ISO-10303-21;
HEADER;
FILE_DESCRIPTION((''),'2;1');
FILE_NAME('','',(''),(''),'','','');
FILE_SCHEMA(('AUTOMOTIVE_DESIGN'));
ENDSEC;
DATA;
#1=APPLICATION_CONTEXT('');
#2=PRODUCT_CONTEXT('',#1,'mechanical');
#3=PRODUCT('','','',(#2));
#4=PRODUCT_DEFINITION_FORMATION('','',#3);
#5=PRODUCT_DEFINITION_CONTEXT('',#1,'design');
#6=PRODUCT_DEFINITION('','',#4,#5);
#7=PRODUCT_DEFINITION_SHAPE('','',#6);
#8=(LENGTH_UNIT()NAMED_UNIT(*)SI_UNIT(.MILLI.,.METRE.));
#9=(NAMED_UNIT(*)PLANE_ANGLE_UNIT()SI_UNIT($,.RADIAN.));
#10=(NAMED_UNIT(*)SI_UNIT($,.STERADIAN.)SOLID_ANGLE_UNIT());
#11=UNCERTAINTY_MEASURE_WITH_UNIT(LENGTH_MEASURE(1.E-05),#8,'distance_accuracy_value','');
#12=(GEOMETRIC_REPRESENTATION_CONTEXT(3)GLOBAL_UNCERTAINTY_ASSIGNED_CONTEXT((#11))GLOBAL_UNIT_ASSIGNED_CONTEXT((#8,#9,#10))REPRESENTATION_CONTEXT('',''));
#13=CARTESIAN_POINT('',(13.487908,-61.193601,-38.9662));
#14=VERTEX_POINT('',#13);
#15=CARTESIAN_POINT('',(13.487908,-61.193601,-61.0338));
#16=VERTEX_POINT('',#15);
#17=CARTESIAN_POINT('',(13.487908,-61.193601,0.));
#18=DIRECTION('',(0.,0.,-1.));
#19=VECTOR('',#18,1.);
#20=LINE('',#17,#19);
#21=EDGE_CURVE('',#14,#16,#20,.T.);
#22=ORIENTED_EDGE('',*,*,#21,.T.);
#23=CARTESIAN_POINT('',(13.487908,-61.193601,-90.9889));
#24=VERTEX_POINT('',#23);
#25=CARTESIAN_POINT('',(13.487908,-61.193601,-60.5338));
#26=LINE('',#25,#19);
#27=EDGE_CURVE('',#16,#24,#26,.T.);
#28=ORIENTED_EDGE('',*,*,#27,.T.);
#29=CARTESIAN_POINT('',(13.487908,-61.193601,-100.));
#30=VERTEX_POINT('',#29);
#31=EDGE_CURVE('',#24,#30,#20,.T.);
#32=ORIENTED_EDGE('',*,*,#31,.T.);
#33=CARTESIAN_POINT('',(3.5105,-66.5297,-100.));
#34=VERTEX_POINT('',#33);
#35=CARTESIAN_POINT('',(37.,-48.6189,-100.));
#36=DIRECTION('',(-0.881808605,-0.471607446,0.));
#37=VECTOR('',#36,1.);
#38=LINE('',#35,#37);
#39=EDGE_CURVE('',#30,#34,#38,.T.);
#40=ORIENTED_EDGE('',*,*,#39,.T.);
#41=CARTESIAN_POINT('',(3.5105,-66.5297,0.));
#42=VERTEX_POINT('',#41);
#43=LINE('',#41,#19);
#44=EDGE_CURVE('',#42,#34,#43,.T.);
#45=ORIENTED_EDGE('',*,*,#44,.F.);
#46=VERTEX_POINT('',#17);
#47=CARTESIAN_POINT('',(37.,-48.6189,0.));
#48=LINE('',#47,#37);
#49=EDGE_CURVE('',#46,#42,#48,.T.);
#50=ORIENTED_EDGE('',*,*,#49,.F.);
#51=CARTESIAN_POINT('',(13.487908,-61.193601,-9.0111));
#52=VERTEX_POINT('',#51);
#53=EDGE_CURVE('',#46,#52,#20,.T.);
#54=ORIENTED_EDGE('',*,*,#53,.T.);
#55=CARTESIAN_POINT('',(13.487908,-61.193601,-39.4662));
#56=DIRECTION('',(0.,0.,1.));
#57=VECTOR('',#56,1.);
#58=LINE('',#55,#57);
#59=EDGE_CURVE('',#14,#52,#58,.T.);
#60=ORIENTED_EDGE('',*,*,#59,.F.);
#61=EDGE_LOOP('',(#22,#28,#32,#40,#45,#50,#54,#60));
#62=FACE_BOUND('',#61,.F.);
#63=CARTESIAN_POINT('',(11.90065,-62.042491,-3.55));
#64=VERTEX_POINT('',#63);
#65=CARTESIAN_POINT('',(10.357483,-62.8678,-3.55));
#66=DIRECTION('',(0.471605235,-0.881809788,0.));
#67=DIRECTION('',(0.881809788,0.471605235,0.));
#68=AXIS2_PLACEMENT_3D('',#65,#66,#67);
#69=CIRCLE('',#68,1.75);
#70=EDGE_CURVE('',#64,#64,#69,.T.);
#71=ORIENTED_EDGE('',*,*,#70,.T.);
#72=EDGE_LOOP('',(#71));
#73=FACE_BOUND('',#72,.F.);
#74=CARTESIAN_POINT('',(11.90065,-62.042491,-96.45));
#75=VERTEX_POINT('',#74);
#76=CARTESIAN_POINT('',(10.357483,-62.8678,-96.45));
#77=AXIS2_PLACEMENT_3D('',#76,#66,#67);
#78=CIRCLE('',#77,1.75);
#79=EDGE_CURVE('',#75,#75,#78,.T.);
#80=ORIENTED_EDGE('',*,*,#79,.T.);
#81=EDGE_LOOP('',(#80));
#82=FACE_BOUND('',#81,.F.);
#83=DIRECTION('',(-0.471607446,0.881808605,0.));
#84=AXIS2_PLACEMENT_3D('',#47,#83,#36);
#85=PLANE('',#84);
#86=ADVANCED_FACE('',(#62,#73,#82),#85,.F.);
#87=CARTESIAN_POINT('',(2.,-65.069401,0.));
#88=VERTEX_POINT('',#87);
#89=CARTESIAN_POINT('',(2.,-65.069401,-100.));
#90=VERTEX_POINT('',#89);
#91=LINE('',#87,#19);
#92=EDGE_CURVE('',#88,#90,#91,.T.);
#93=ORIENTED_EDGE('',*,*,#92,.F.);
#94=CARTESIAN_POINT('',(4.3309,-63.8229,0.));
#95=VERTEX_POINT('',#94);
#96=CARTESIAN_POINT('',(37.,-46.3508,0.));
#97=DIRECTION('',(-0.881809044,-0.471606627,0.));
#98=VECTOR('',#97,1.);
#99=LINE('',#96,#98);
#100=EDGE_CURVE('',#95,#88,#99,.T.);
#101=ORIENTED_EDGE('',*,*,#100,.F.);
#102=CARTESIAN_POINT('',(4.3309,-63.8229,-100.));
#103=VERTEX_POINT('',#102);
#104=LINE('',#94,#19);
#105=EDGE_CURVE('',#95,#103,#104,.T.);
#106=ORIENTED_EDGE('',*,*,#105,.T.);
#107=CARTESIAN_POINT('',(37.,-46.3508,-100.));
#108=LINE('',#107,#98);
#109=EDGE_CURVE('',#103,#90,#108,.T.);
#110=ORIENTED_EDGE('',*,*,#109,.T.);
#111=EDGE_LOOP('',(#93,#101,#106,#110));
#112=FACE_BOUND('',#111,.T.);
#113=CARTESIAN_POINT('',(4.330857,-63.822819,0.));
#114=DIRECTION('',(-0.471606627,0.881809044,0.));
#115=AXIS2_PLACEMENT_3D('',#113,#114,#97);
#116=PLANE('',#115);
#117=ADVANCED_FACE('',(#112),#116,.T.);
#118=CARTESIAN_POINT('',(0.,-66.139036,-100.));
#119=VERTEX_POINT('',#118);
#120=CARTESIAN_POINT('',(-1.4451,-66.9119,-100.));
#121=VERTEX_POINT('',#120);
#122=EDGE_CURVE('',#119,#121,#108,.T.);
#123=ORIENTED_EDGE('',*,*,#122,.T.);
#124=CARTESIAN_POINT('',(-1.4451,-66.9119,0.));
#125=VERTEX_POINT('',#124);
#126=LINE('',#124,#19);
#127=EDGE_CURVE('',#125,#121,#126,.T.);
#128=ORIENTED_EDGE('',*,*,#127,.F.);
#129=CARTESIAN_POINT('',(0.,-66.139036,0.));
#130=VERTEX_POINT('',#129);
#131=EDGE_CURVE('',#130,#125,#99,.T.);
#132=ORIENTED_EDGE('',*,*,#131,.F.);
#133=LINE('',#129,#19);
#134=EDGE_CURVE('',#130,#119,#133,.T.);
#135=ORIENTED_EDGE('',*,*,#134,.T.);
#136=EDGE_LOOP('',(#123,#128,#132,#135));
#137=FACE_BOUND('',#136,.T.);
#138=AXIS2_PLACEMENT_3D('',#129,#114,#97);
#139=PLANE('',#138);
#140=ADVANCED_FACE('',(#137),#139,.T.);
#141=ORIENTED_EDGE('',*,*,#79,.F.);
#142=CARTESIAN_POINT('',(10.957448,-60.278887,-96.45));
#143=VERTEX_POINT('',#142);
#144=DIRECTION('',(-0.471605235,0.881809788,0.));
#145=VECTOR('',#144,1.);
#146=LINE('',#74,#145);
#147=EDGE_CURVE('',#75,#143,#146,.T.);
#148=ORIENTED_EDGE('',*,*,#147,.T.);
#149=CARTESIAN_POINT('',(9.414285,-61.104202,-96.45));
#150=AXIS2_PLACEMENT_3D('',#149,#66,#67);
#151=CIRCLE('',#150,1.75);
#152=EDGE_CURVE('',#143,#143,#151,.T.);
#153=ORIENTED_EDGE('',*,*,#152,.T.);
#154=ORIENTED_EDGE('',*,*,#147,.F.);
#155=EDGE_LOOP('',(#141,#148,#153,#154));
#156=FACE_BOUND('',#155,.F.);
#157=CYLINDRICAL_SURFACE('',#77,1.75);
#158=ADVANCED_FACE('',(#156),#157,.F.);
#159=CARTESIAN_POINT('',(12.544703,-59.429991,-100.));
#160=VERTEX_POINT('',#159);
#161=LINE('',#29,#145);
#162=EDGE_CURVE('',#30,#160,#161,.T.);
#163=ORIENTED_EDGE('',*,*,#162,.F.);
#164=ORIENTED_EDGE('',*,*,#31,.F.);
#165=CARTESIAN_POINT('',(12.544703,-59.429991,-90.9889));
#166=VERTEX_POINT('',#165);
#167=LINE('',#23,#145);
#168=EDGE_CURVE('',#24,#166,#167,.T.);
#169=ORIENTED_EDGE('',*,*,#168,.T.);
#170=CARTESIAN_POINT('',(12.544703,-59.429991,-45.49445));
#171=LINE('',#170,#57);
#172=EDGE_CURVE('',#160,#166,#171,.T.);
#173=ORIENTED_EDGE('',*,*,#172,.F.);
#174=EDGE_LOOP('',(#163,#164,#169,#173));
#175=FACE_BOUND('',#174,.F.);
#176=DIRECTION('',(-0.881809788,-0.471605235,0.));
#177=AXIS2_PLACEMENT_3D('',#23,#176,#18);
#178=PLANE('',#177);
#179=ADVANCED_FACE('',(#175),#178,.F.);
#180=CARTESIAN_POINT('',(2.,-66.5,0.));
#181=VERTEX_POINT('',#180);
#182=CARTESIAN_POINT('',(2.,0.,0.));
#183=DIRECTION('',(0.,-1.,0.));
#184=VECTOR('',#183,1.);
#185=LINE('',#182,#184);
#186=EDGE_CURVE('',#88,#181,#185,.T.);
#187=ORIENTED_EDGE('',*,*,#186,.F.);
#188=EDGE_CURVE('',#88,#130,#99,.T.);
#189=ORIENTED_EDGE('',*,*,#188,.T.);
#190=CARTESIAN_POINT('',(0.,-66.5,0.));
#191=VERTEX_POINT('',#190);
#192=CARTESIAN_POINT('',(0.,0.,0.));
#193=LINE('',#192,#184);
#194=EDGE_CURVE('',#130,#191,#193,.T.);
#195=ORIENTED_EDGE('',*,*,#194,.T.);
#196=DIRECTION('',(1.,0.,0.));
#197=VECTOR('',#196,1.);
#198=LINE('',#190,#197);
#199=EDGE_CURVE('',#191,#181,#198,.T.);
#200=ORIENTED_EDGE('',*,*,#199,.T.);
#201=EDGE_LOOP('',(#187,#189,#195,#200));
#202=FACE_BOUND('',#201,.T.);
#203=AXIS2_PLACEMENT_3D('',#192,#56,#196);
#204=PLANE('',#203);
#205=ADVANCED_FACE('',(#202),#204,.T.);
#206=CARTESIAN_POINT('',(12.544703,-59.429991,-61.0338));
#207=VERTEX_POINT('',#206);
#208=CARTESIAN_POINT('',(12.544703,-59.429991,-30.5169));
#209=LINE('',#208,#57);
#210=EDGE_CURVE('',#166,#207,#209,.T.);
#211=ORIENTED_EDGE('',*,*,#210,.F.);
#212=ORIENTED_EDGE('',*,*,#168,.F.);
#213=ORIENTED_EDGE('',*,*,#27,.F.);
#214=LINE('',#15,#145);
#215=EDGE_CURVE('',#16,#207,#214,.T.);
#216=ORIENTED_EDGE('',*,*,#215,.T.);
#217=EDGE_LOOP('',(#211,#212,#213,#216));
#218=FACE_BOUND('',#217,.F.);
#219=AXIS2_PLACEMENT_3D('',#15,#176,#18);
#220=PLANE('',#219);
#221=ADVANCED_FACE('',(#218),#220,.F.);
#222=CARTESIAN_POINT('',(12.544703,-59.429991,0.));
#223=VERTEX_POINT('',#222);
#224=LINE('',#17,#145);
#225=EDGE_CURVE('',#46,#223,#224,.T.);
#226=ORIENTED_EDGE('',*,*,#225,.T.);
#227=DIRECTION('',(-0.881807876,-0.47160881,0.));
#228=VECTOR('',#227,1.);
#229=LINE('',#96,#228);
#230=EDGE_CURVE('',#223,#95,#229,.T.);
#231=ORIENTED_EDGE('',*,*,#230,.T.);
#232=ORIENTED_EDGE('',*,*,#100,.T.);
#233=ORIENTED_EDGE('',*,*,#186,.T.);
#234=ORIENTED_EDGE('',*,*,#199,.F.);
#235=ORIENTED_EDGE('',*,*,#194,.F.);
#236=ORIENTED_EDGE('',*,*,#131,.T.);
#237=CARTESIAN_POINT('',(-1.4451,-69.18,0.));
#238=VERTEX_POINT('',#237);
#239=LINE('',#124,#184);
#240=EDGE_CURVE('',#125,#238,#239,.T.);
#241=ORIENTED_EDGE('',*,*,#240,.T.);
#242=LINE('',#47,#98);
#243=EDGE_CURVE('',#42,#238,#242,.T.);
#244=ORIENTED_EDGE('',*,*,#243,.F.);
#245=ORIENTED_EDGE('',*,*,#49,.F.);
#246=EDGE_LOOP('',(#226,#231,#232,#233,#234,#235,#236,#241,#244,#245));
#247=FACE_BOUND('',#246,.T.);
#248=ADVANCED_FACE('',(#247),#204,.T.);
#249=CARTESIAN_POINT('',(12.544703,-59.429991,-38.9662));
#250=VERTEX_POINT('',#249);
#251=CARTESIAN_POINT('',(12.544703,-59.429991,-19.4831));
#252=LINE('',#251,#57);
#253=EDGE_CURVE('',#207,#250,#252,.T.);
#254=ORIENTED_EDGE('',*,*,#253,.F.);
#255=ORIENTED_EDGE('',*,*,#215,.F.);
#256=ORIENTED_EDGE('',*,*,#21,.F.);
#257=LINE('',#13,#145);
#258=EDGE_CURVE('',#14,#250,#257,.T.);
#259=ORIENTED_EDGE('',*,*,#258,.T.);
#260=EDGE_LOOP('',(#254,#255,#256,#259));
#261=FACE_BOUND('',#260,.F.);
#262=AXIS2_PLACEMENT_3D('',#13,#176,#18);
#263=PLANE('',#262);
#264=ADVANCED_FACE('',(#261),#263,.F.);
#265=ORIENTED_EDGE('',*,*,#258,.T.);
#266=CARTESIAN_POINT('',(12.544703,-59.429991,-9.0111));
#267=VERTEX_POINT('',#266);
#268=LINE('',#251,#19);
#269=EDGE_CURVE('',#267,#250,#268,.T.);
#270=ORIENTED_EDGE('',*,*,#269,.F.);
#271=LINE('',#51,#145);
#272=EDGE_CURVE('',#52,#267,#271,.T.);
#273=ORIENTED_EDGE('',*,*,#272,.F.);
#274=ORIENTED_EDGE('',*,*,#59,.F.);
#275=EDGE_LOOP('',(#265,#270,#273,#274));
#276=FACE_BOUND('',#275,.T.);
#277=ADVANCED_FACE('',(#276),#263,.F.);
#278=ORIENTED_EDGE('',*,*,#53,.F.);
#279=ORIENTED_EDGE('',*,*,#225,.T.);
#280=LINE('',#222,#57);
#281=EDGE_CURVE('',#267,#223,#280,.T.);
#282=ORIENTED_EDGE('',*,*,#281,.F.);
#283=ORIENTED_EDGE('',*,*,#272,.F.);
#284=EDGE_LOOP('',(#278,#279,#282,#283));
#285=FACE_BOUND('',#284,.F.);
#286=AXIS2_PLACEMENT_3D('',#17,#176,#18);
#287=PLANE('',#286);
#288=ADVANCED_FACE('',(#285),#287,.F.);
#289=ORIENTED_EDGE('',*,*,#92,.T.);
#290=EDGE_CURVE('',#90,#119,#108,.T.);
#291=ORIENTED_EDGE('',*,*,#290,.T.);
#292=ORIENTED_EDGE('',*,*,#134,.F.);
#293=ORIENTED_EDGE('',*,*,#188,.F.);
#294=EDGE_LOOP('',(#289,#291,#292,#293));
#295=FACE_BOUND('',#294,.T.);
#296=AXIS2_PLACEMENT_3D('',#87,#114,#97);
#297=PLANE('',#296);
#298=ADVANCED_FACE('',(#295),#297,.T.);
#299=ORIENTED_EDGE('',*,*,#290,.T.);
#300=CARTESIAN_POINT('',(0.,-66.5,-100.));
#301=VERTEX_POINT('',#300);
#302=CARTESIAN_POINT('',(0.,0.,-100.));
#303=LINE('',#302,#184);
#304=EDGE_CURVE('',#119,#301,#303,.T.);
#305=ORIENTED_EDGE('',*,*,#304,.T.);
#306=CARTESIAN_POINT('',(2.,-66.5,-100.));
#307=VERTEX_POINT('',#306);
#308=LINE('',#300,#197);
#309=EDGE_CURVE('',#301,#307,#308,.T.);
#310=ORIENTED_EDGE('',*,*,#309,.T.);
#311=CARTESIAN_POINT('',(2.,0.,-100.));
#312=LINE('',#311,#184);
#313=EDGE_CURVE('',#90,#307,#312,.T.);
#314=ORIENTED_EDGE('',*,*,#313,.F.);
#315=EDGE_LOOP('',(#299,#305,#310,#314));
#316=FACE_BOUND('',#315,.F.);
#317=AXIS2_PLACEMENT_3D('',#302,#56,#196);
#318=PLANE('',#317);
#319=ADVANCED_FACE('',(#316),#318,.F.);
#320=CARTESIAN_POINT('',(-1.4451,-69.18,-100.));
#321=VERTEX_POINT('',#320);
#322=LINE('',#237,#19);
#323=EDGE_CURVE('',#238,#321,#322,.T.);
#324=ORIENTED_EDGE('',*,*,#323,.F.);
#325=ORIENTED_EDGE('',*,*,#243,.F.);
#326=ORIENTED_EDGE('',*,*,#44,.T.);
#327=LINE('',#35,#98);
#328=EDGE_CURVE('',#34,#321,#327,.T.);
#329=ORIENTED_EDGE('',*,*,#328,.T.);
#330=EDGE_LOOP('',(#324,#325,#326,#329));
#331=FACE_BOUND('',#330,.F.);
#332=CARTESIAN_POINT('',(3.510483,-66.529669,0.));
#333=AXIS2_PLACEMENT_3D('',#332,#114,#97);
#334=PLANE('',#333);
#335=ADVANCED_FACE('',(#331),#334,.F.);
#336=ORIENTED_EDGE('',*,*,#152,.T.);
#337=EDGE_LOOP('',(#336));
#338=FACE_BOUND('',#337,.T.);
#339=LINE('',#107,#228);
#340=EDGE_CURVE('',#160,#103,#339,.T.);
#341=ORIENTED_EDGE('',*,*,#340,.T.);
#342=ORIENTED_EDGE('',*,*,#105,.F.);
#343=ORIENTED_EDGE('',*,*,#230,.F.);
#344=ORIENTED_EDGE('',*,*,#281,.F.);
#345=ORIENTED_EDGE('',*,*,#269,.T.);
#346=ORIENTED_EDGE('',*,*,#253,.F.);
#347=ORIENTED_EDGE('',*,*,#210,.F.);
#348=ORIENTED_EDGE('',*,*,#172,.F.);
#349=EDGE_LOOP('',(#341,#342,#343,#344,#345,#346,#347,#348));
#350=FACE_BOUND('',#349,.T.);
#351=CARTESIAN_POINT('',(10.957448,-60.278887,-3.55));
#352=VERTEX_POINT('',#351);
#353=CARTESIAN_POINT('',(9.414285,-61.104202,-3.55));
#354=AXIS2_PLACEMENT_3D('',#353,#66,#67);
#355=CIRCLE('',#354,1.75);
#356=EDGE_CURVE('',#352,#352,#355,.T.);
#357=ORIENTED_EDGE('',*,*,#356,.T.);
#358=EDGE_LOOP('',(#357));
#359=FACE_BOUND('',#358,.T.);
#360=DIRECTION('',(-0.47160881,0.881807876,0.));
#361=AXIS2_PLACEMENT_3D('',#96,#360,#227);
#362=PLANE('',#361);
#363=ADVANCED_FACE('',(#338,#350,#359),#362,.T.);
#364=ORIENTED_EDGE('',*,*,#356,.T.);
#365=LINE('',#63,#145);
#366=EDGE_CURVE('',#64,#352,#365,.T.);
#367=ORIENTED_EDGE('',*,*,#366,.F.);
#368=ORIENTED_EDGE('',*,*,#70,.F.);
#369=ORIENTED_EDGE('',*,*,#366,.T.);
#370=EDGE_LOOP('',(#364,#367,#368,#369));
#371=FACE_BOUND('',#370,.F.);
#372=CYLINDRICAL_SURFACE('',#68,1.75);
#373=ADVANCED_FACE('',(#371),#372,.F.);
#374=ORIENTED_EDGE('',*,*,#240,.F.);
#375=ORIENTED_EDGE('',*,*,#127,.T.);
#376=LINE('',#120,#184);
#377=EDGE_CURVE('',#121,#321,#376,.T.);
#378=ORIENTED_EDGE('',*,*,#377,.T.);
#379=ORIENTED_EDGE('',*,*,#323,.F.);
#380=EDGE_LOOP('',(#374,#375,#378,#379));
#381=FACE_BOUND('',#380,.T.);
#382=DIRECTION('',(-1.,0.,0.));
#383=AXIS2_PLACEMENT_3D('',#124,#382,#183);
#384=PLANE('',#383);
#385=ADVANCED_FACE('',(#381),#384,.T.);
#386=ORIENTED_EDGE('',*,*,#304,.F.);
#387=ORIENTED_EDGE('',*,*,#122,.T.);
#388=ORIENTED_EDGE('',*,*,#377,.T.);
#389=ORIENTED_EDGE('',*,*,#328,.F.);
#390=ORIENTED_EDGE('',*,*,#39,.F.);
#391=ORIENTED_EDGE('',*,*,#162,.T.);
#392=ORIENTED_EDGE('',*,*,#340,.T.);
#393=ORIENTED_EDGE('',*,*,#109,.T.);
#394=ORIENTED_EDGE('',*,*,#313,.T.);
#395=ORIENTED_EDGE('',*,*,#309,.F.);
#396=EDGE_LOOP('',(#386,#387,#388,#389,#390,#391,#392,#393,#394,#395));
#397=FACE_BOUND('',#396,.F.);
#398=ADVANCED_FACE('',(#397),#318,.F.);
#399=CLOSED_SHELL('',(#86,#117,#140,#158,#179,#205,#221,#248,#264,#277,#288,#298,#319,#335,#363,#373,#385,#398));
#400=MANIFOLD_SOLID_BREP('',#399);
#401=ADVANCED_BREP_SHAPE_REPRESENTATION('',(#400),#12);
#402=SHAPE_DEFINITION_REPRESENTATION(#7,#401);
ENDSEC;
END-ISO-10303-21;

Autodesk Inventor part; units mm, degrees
ref_plane "YZ Plane" through (0, 0, 0) normal (1, 0, 0) x (0, 1, 0)
ref_plane "XZ Plane" through (0, 0, 0) normal (0, 1, 0) x (-1, 0, 0)
ref_plane "XY Plane" through (0, 0, 0) normal (0, 0, 1) x (1, 0, 0)
sketch "Szkic1" plane through (0, 0, 0) normal (0, 0, 1) x (1, 0, 0)
  line L0 (0, 0) -> (0, -66.5) projected
  line L1 (0, -66.5) -> (2, -66.5) projected
  line L2 (2, 0) -> (2, -66.5) projected
  line L3 (0, 0) -> (2, 0) projected
  circle A0 centre (7, 15.8) radius 1.5 projected
  circle A1 centre (7, 15.8) radius 15.02 projected
  line L4 (7, 30.82) -> (7, 14.3)
  line L5 (7, -69.18) -> (-7.0129, -69.18)
  line L6 (37, -46.3508) -> (4.3309, -63.8229) projected
  line L7 (37, -48.6189) -> (3.5105, -66.5297) projected
  line L8 (37, -48.6189) -> (37, -46.3508)
  line L9 (37, -48.6189) -> (-1.4451, -69.18)
  line L10 (37, -46.3508) -> (-1.4451, -66.9119)
  line L11 (-1.4451, -66.9119) -> (-1.4451, -69.18)
  dimension "d0" = 100
extrude "Wyciągnięcie proste1" add sketch "Szkic1" against normal blind 100 contours L10 L2 L1 L0 | L0 L1 L2 L10 L6 L8 L7 L9 L11
sketch "Szkic5" plane through (-1.4451, -69.18, -100) normal (0.4716, -0.8818, 0) x (0.8818, 0.4716, 0)
  line L0 (17.9345, 9.0111) -> (17.7164, 38.6148) projected
  line L1 (17.7164, 38.6148) -> (26.2335, 38.9662) projected
  line L2 (26.4517, 9.3625) -> (17.9345, 9.0111) projected
  line L3 (26.2335, 38.9662) -> (17.9345, 38.9662)
  line L4 (17.9345, 38.9662) -> (17.9345, 9.0111)
  line L5 (17.9345, 9.0111) -> (26.2335, 9.0111)
  line L6 (26.2335, 9.0111) -> (26.2335, 38.9662)
  line L7 (17.4345, 39.4662) -> (26.7335, 39.4662)
  line L8 (26.7335, 39.4662) -> (26.7335, 8.5111)
  line L9 (26.7335, 8.5111) -> (17.4345, 8.5111)
  line L10 (17.4345, 8.5111) -> (17.4345, 39.4662)
  line L11 (17.4345, 39.4662) -> (16.9345, 39.4662)
  line L12 (16.9345, 39.4662) -> (16.9345, 8.5111)
  line L13 (16.9345, 8.5111) -> (17.4345, 8.5111)
  line L14 (17.4345, 8.5111) -> (17.4345, 39.4662)
  line L15 (26.7335, 38.9662) -> (16.9345, 38.9662)
  line L16 (16.9345, 38.9662) -> (16.9345, 9.0111)
  line L17 (16.9345, 9.0111) -> (26.7335, 9.0111)
  line L18 (26.7335, 9.0111) -> (26.7335, 38.9662)
  point P0 (33.9001, 100)
  point P1 (17.9345, 9.0111)
  point P2 (26.7335, 9.0111)
  point P3 (17.9345, 38.9662)
  dimension "d7" = 0.5
  dimension "d8" = 0.5
extrude "Wyciągnięcie proste4" cut sketch "Szkic5" against normal through all contours L17 L10 L15 L4 L1 L0 | L4 L1 L6 L2 | L0 L1 L4 | L2 L6 L5 | L6 L15 L8 L17 | L4 L3 L1 | L17 L12 L15 L10
ref_plane "Płaszczyzna konstrukcyjna1" through (0, 0, -50) normal (0, 0, 1) x (1, 0, 0)
mirror "Odbij1" about plane through (0, 0, -50) normal (0, 0, 1) of "Wyciągnięcie proste4"
sketch "Szkic6" plane through (-1.4451, -69.18, -100) normal (0.4716, -0.8818, 0) x (0.8818, 0.4716, 0)
  line L0 (16.9345, 61.0338) -> (16.9345, 38.9662) projected
  line L1 (44.6676, 100) -> (16.9345, 100) projected
  line L2 (44.6676, 100) -> (44.6676, 0) projected
  line L3 (16.9345, 0) -> (44.6676, 0) projected
  line L4 (16.9345, 9.0111) -> (26.7335, 9.0111) projected
  line L5 (26.7335, 9.0111) -> (26.7335, 38.9662) projected
  line L6 (26.7335, 38.9662) -> (16.9345, 38.9662) projected
  line L7 (16.9345, 61.0338) -> (26.7335, 61.0338) projected
  line L8 (26.7335, 61.0338) -> (26.7335, 90.9889) projected
  line L9 (26.7335, 90.9889) -> (16.9345, 90.9889) projected
  circle A0 centre (32.598, 3.55) radius 1.75 projected
  circle A1 centre (32.598, 96.45) radius 1.75 projected
  line L10 (16.9345, 90.9889) -> (16.9345, 100) projected
  line L11 (16.9345, 0) -> (16.9345, 9.0111) projected
  line L12 (16.9345, 38.9662) -> (16.9345, 61.0338) projected
  point P0 (33.9001, 100)
extrude "Wyciągnięcie proste5" [suppressed]
sketch "Szkic7" plane through (-1.4451, -69.18, -100) normal (0.4716, -0.8818, 0) x (0.8818, 0.4716, 0)
  line L0 (0, 100) -> (43.598, 100) projected
  line L1 (0, 100) -> (0, 0) projected
  line L2 (43.598, 0) -> (0, 0) projected
  line L3 (16.9345, 100) -> (0, 100)
  line L4 (0, 100) -> (0, 92.9)
  line L5 (0, 92.9) -> (16.9345, 92.9)
  line L6 (16.9345, 92.9) -> (16.9345, 100)
  circle A0 centre (13.3845, 96.45) radius 3.55
  circle A1 centre (13.3845, 96.45) radius 1.75
  line L7 (-8.9335, 50) -> (53.6011, 50) projected
  circle A2 centre (13.3845, 3.55) radius 1.75
  line L8 (43.598, 100) -> (43.598, 0) projected
  point P0 (33.9001, 100)
  dimension "d13" = 7.1
  dimension "d14" = 3.5
extrude "Wyciągnięcie proste6" cut sketch "Szkic7" against normal through all contours A1 | A2
sketch "Szkic8" plane through (-1.4451, -69.18, -100) normal (0.4716, -0.8818, 0) x (0.8818, 0.4716, 0)
  circle A0 centre (13.3845, 3.55) radius 1.75 projected
  circle A1 centre (13.3845, 96.45) radius 1.75 projected
  line L0 (16.9345, 61.0338) -> (16.9345, 90.9889) projected
  line L1 (16.9345, 90.9889) -> (26.7335, 90.9889) projected
  line L2 (26.7335, 90.9889) -> (26.7335, 61.0338) projected
  line L3 (26.7335, 61.0338) -> (16.9345, 61.0338) projected
  line L4 (26.7335, 38.9662) -> (26.7335, 9.0111) projected
  line L5 (26.7335, 9.0111) -> (16.9345, 9.0111) projected
  line L6 (16.9345, 9.0111) -> (16.9345, 38.9662) projected
  line L7 (16.9345, 38.9662) -> (26.7335, 38.9662) projected
  line L8 (0, 100) -> (43.598, 100) projected
  line L9 (0, 100) -> (0, 0) projected
  line L10 (43.598, 0) -> (0, 0) projected
  line L11 (43.598, 100) -> (43.598, 0) projected
  line L12 (43.598, 100) -> (44.6676, 100) projected
  line L13 (43.598, 100) -> (43.598, 0) projected
  line L14 (44.6676, 0) -> (43.598, 0) projected
  line L15 (44.6676, 100) -> (44.6676, 0) projected
  line L16 (44.6676, 100) -> (16.9345, 100)
  line L17 (16.9345, 100) -> (16.9345, 0)
  line L18 (16.9345, 0) -> (44.6676, 0)
  line L19 (44.6676, 0) -> (44.6676, 100)
  point P0 (33.9001, 100)
  point P1 (16.9345, 61.0338)
  point P2 (16.9345, 38.9662)
  point P3 (16.9345, 9.0111)
  point P4 (16.9345, 100)
  point P5 (16.9345, 90.9889)
extrude "Wyciągnięcie proste7" cut sketch "Szkic8" against normal through all contours L3 L2 L1 L17 L8 L11 L10 L5 L4 L7 | L12 L15 L14 L11
properties part number "plug_kopia"
